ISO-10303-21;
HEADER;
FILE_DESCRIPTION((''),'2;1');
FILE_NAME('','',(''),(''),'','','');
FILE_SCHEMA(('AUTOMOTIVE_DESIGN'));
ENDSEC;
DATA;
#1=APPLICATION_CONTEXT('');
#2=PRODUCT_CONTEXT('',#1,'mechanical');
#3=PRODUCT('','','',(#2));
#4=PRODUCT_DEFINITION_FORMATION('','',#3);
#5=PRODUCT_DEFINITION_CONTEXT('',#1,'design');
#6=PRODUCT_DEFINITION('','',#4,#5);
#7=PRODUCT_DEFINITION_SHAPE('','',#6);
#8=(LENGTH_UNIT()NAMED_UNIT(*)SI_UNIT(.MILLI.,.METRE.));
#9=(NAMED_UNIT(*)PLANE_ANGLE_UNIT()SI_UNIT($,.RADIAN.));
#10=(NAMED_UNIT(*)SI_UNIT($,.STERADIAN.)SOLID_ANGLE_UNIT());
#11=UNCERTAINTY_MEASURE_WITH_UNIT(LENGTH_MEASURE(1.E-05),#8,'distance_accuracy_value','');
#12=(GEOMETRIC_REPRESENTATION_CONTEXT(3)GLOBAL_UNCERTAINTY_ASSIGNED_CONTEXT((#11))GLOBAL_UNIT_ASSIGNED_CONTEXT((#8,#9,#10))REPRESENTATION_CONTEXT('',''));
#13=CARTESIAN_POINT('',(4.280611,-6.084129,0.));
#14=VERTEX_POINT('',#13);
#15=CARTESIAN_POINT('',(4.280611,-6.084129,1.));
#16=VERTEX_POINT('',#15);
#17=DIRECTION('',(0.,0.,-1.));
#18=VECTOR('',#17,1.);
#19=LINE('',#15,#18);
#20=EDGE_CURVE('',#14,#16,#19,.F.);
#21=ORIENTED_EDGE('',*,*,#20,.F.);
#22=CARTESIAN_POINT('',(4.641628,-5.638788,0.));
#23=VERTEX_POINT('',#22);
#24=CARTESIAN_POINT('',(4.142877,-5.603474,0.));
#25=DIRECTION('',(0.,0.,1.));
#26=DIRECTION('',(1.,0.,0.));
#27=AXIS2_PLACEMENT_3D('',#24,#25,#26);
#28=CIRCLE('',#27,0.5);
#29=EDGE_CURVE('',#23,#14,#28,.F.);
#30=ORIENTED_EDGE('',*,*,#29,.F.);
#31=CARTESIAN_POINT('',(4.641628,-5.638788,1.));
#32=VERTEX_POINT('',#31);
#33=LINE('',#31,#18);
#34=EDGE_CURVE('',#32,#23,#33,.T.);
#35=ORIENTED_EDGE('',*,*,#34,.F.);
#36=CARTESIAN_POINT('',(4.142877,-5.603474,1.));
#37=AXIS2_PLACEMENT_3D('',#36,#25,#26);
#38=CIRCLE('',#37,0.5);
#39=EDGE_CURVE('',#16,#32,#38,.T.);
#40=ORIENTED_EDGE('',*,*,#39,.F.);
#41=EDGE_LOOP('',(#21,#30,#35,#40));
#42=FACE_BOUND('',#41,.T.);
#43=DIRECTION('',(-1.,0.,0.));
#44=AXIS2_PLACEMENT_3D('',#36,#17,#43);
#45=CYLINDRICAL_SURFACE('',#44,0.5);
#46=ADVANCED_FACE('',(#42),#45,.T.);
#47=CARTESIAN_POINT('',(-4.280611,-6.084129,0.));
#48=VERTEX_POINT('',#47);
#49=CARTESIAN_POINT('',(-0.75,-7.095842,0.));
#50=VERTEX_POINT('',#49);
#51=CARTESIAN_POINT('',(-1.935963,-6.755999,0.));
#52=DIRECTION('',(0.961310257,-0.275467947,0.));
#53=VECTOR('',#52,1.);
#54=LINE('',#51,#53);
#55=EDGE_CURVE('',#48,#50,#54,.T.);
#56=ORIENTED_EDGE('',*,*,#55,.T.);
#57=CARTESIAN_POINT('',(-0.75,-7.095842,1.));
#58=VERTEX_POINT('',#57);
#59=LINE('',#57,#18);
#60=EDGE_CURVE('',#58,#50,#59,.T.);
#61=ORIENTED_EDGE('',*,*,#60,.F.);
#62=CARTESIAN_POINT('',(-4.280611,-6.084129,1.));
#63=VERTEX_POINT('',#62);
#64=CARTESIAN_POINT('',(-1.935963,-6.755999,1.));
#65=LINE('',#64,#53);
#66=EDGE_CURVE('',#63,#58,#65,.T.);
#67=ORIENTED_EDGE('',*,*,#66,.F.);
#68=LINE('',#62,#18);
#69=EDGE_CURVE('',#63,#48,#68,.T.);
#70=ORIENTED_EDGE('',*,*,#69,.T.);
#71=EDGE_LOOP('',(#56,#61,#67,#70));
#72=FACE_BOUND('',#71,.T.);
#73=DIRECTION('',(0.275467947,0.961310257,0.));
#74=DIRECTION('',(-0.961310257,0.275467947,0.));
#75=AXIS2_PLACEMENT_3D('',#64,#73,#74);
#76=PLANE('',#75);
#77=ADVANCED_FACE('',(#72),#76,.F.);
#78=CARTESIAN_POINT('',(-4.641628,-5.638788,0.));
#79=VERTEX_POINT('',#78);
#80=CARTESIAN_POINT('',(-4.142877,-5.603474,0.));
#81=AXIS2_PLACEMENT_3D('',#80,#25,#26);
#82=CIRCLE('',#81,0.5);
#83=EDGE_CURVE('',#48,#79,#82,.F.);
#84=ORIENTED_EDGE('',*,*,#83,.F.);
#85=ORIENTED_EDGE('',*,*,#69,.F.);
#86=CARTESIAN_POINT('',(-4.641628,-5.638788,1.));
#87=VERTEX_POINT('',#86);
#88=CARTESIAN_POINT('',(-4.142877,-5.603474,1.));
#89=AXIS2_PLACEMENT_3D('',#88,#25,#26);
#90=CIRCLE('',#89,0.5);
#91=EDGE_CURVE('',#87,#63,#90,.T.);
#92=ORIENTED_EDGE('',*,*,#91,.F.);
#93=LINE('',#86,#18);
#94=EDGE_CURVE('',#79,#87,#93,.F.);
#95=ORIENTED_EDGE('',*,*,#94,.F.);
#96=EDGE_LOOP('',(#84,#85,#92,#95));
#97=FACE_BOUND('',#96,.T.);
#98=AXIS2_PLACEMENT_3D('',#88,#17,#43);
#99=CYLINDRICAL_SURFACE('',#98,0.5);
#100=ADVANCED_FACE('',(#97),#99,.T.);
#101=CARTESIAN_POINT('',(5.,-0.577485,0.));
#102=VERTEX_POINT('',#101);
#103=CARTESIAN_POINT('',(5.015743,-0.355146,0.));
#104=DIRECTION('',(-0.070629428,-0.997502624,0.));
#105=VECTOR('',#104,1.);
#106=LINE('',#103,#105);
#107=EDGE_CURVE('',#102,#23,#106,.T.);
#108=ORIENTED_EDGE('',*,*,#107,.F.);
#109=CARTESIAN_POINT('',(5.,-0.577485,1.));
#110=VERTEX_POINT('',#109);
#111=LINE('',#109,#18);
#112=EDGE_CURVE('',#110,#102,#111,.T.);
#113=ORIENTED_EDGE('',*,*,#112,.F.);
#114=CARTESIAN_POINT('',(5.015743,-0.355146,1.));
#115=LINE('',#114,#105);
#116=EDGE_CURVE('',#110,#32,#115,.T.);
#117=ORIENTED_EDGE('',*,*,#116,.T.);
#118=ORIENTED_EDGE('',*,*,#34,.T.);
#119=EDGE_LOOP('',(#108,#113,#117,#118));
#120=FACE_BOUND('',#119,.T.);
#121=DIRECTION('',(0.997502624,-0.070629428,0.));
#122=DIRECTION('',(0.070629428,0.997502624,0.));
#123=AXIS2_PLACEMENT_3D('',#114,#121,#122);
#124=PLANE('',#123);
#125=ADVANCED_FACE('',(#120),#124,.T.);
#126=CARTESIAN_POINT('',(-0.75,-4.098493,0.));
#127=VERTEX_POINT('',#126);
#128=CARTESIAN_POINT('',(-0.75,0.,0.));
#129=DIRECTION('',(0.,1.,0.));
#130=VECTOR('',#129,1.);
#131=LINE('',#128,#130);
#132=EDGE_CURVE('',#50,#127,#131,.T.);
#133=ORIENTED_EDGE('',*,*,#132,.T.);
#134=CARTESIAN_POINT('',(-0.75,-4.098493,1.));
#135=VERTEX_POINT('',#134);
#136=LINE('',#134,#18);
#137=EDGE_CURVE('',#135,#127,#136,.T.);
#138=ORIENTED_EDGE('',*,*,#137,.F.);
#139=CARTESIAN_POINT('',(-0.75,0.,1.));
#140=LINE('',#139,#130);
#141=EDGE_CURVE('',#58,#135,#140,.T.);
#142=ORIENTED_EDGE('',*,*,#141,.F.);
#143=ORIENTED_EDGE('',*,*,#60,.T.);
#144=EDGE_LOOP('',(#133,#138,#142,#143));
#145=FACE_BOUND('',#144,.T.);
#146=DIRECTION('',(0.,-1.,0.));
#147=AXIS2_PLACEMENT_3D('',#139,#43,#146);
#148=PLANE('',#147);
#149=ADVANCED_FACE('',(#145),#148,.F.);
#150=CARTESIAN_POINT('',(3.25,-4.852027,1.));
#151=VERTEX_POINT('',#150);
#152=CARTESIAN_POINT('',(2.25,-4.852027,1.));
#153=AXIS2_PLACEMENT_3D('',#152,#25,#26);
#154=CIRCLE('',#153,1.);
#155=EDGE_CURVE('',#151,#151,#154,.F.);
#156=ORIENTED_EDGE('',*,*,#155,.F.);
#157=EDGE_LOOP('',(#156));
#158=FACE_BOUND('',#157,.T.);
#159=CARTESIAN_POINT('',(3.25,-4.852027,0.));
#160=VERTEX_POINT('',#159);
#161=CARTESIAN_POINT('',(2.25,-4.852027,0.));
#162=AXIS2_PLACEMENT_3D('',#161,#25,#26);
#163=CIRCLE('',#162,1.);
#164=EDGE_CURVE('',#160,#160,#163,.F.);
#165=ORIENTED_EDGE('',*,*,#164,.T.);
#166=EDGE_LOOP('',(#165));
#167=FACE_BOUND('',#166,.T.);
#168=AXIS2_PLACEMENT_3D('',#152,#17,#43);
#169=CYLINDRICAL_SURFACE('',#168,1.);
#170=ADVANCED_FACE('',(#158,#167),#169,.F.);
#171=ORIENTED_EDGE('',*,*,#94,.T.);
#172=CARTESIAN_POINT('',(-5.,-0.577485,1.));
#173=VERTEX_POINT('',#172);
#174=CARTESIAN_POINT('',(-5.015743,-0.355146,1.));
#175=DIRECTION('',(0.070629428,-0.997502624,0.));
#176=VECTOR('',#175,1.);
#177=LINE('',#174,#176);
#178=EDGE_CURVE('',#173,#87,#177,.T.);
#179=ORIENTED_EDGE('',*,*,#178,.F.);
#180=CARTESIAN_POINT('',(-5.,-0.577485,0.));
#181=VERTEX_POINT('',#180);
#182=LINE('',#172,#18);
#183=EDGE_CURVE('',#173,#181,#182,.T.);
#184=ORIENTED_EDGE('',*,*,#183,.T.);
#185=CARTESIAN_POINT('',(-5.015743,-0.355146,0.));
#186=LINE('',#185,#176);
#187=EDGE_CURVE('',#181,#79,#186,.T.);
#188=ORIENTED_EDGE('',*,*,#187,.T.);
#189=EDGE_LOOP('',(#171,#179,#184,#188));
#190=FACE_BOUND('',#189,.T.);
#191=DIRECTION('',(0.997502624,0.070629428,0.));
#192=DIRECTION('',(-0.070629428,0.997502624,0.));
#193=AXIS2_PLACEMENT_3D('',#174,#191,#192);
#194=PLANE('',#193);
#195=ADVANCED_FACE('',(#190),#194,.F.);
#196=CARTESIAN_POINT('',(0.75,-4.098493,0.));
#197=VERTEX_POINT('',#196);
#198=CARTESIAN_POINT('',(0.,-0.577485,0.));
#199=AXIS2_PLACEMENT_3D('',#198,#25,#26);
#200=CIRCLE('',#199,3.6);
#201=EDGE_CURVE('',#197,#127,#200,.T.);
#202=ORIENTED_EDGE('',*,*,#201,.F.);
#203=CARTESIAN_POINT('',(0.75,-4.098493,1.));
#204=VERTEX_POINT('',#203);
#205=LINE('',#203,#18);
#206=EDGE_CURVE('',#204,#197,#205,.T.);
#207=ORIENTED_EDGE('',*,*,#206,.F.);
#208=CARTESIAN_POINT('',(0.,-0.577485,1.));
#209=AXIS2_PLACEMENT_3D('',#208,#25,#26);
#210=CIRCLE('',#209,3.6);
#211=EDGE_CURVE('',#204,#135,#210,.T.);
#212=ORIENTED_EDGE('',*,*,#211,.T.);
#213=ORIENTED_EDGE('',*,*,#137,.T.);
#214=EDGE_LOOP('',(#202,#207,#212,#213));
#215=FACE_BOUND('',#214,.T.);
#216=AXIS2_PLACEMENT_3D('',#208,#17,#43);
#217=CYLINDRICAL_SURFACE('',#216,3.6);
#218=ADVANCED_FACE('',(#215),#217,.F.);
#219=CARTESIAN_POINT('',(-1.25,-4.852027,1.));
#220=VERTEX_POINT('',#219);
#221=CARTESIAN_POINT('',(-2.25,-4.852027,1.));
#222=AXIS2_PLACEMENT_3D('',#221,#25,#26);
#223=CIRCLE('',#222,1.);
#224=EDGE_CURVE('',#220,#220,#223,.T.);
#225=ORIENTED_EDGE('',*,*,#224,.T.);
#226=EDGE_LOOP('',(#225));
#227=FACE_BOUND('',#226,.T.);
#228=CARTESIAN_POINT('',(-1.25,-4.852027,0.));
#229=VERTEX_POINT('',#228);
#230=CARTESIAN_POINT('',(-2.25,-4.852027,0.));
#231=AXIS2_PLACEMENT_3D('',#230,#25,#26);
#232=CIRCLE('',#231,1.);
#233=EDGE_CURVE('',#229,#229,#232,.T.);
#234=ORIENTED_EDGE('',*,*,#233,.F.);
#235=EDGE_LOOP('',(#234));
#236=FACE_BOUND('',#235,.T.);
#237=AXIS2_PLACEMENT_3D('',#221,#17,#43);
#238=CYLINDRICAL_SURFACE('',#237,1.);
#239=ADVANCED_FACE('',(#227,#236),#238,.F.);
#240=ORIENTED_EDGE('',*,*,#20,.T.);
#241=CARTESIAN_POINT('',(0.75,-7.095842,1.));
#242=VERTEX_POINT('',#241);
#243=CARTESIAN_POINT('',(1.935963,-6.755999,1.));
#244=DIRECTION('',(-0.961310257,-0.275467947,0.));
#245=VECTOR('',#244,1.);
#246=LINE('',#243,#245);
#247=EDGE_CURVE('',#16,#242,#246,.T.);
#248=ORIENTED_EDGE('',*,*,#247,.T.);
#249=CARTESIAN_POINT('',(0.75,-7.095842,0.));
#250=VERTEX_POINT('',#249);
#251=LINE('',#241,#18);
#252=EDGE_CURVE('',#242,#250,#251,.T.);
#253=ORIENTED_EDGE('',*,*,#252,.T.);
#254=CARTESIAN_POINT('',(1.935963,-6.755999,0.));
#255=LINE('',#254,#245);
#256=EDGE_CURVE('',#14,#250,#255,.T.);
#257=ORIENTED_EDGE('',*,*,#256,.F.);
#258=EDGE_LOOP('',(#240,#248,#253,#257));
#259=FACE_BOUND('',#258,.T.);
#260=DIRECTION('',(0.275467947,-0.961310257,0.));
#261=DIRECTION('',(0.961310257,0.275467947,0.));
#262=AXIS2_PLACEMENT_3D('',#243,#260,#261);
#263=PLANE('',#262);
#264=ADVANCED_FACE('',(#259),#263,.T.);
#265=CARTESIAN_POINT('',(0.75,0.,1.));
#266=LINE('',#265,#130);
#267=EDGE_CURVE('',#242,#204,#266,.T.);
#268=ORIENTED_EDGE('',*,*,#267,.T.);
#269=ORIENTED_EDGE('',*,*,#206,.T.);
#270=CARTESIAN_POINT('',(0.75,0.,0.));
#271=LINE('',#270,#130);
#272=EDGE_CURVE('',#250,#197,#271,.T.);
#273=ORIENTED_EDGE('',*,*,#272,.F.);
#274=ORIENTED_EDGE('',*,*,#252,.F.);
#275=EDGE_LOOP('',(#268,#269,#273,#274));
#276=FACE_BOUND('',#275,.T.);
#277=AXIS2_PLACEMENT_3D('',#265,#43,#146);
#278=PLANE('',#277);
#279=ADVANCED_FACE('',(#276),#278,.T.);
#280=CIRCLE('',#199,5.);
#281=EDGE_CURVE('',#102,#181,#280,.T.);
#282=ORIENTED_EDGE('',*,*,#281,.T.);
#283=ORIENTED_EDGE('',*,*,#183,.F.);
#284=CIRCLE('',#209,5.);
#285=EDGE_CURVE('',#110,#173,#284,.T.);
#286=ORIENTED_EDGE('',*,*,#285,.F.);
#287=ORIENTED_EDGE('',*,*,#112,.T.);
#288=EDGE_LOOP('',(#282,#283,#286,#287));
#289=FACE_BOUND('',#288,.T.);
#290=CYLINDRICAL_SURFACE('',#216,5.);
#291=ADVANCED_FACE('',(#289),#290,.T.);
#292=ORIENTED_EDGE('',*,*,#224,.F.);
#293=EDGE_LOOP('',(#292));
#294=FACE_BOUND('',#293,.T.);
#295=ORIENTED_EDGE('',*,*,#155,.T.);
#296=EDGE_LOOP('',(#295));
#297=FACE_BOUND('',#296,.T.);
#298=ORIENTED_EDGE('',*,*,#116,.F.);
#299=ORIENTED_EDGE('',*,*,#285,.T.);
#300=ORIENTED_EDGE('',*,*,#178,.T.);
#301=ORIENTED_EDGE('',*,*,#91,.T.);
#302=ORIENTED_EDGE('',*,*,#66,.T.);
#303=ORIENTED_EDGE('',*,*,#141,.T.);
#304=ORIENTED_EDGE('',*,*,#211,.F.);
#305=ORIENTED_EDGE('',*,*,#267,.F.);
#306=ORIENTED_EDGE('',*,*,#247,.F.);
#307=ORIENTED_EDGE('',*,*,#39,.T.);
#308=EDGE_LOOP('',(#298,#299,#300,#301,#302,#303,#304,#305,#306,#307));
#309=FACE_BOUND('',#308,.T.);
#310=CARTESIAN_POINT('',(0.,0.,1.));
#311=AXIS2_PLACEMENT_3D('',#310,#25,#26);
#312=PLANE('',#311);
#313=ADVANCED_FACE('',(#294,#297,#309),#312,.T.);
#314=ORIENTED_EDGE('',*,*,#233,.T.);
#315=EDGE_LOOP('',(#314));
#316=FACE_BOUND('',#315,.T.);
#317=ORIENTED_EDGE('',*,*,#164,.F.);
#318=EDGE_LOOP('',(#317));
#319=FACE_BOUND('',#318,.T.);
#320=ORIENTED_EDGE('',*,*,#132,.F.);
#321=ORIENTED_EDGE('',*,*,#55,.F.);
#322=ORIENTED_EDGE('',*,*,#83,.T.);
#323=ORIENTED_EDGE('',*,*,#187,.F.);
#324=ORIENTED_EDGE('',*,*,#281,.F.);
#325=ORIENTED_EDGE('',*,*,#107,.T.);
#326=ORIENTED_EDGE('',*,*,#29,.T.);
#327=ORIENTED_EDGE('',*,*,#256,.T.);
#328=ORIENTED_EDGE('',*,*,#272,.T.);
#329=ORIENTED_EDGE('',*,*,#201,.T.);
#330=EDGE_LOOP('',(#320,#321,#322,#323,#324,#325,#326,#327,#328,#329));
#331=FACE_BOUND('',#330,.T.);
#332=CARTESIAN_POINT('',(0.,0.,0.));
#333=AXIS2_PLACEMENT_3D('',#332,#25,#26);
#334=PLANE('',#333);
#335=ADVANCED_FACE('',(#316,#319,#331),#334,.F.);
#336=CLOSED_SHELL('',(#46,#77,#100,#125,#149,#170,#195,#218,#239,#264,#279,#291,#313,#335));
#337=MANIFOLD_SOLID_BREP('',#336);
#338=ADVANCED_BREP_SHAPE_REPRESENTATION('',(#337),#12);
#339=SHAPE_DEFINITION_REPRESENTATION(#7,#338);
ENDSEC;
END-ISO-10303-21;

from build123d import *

# Parameters (mm, degrees)
SKETCH_1_R      = 1
EXTRUDE_1_DEPTH = 1
FILLET_1_R      = 0.5


with BuildPart() as part:
    # 草图1 → 凸台-拉伸1 (new body)
    with BuildSketch(Plane.XY):
        with BuildLine():
            Line((-0.75, -7.095841887), (-0.75, -6.711388546))
            Line((-0.75, -6.711388546), (-0.75, -5.520914569))
            Line((-0.75, -5.520914569), (-0.75, -4.098492964))
            ThreePointArc((-0.75, -4.098492964), (-2.264950331, 2.22072913), (3.6, -0.577484586))
            ThreePointArc((3.6, -0.577484586), (2.798213716, -2.842434917), (0.75, -4.098492964))
            Line((0.75, -4.098492964), (0.75, -5.520914569))
            Line((0.75, -5.520914569), (0.75, -6.711388546))
            Line((0.75, -6.711388546), (0.75, -7.095841887))
            Line((0.75, -7.095841887), (4.616918769, -5.987758242))
            Line((4.616918769, -5.987758242), (5, -0.577484586))
            ThreePointArc((5, -0.577484586), (0, 4.422515414), (-5, -0.577484586))
            Line((-5, -0.577484586), (-4.616918769, -5.987758242))
            Line((-4.616918769, -5.987758242), (-0.75, -7.095841887))
        make_face()
        with Locations((-2.25, -4.852026876)):
            Circle(SKETCH_1_R, mode=Mode.SUBTRACT)
        with Locations((2.25, -4.852026876)):
            Circle(SKETCH_1_R, mode=Mode.SUBTRACT)
    extrude(amount=EXTRUDE_1_DEPTH)

    # 圆角1
    fillet_1_edges = [part.edges().sort_by_distance(p)[0] for p in [
        (4.616918769, -5.987758242, 0.5),
        (-4.616918769, -5.987758242, 0.5),
    ]]
    fillet(fillet_1_edges, radius=FILLET_1_R)


solid = part.part
